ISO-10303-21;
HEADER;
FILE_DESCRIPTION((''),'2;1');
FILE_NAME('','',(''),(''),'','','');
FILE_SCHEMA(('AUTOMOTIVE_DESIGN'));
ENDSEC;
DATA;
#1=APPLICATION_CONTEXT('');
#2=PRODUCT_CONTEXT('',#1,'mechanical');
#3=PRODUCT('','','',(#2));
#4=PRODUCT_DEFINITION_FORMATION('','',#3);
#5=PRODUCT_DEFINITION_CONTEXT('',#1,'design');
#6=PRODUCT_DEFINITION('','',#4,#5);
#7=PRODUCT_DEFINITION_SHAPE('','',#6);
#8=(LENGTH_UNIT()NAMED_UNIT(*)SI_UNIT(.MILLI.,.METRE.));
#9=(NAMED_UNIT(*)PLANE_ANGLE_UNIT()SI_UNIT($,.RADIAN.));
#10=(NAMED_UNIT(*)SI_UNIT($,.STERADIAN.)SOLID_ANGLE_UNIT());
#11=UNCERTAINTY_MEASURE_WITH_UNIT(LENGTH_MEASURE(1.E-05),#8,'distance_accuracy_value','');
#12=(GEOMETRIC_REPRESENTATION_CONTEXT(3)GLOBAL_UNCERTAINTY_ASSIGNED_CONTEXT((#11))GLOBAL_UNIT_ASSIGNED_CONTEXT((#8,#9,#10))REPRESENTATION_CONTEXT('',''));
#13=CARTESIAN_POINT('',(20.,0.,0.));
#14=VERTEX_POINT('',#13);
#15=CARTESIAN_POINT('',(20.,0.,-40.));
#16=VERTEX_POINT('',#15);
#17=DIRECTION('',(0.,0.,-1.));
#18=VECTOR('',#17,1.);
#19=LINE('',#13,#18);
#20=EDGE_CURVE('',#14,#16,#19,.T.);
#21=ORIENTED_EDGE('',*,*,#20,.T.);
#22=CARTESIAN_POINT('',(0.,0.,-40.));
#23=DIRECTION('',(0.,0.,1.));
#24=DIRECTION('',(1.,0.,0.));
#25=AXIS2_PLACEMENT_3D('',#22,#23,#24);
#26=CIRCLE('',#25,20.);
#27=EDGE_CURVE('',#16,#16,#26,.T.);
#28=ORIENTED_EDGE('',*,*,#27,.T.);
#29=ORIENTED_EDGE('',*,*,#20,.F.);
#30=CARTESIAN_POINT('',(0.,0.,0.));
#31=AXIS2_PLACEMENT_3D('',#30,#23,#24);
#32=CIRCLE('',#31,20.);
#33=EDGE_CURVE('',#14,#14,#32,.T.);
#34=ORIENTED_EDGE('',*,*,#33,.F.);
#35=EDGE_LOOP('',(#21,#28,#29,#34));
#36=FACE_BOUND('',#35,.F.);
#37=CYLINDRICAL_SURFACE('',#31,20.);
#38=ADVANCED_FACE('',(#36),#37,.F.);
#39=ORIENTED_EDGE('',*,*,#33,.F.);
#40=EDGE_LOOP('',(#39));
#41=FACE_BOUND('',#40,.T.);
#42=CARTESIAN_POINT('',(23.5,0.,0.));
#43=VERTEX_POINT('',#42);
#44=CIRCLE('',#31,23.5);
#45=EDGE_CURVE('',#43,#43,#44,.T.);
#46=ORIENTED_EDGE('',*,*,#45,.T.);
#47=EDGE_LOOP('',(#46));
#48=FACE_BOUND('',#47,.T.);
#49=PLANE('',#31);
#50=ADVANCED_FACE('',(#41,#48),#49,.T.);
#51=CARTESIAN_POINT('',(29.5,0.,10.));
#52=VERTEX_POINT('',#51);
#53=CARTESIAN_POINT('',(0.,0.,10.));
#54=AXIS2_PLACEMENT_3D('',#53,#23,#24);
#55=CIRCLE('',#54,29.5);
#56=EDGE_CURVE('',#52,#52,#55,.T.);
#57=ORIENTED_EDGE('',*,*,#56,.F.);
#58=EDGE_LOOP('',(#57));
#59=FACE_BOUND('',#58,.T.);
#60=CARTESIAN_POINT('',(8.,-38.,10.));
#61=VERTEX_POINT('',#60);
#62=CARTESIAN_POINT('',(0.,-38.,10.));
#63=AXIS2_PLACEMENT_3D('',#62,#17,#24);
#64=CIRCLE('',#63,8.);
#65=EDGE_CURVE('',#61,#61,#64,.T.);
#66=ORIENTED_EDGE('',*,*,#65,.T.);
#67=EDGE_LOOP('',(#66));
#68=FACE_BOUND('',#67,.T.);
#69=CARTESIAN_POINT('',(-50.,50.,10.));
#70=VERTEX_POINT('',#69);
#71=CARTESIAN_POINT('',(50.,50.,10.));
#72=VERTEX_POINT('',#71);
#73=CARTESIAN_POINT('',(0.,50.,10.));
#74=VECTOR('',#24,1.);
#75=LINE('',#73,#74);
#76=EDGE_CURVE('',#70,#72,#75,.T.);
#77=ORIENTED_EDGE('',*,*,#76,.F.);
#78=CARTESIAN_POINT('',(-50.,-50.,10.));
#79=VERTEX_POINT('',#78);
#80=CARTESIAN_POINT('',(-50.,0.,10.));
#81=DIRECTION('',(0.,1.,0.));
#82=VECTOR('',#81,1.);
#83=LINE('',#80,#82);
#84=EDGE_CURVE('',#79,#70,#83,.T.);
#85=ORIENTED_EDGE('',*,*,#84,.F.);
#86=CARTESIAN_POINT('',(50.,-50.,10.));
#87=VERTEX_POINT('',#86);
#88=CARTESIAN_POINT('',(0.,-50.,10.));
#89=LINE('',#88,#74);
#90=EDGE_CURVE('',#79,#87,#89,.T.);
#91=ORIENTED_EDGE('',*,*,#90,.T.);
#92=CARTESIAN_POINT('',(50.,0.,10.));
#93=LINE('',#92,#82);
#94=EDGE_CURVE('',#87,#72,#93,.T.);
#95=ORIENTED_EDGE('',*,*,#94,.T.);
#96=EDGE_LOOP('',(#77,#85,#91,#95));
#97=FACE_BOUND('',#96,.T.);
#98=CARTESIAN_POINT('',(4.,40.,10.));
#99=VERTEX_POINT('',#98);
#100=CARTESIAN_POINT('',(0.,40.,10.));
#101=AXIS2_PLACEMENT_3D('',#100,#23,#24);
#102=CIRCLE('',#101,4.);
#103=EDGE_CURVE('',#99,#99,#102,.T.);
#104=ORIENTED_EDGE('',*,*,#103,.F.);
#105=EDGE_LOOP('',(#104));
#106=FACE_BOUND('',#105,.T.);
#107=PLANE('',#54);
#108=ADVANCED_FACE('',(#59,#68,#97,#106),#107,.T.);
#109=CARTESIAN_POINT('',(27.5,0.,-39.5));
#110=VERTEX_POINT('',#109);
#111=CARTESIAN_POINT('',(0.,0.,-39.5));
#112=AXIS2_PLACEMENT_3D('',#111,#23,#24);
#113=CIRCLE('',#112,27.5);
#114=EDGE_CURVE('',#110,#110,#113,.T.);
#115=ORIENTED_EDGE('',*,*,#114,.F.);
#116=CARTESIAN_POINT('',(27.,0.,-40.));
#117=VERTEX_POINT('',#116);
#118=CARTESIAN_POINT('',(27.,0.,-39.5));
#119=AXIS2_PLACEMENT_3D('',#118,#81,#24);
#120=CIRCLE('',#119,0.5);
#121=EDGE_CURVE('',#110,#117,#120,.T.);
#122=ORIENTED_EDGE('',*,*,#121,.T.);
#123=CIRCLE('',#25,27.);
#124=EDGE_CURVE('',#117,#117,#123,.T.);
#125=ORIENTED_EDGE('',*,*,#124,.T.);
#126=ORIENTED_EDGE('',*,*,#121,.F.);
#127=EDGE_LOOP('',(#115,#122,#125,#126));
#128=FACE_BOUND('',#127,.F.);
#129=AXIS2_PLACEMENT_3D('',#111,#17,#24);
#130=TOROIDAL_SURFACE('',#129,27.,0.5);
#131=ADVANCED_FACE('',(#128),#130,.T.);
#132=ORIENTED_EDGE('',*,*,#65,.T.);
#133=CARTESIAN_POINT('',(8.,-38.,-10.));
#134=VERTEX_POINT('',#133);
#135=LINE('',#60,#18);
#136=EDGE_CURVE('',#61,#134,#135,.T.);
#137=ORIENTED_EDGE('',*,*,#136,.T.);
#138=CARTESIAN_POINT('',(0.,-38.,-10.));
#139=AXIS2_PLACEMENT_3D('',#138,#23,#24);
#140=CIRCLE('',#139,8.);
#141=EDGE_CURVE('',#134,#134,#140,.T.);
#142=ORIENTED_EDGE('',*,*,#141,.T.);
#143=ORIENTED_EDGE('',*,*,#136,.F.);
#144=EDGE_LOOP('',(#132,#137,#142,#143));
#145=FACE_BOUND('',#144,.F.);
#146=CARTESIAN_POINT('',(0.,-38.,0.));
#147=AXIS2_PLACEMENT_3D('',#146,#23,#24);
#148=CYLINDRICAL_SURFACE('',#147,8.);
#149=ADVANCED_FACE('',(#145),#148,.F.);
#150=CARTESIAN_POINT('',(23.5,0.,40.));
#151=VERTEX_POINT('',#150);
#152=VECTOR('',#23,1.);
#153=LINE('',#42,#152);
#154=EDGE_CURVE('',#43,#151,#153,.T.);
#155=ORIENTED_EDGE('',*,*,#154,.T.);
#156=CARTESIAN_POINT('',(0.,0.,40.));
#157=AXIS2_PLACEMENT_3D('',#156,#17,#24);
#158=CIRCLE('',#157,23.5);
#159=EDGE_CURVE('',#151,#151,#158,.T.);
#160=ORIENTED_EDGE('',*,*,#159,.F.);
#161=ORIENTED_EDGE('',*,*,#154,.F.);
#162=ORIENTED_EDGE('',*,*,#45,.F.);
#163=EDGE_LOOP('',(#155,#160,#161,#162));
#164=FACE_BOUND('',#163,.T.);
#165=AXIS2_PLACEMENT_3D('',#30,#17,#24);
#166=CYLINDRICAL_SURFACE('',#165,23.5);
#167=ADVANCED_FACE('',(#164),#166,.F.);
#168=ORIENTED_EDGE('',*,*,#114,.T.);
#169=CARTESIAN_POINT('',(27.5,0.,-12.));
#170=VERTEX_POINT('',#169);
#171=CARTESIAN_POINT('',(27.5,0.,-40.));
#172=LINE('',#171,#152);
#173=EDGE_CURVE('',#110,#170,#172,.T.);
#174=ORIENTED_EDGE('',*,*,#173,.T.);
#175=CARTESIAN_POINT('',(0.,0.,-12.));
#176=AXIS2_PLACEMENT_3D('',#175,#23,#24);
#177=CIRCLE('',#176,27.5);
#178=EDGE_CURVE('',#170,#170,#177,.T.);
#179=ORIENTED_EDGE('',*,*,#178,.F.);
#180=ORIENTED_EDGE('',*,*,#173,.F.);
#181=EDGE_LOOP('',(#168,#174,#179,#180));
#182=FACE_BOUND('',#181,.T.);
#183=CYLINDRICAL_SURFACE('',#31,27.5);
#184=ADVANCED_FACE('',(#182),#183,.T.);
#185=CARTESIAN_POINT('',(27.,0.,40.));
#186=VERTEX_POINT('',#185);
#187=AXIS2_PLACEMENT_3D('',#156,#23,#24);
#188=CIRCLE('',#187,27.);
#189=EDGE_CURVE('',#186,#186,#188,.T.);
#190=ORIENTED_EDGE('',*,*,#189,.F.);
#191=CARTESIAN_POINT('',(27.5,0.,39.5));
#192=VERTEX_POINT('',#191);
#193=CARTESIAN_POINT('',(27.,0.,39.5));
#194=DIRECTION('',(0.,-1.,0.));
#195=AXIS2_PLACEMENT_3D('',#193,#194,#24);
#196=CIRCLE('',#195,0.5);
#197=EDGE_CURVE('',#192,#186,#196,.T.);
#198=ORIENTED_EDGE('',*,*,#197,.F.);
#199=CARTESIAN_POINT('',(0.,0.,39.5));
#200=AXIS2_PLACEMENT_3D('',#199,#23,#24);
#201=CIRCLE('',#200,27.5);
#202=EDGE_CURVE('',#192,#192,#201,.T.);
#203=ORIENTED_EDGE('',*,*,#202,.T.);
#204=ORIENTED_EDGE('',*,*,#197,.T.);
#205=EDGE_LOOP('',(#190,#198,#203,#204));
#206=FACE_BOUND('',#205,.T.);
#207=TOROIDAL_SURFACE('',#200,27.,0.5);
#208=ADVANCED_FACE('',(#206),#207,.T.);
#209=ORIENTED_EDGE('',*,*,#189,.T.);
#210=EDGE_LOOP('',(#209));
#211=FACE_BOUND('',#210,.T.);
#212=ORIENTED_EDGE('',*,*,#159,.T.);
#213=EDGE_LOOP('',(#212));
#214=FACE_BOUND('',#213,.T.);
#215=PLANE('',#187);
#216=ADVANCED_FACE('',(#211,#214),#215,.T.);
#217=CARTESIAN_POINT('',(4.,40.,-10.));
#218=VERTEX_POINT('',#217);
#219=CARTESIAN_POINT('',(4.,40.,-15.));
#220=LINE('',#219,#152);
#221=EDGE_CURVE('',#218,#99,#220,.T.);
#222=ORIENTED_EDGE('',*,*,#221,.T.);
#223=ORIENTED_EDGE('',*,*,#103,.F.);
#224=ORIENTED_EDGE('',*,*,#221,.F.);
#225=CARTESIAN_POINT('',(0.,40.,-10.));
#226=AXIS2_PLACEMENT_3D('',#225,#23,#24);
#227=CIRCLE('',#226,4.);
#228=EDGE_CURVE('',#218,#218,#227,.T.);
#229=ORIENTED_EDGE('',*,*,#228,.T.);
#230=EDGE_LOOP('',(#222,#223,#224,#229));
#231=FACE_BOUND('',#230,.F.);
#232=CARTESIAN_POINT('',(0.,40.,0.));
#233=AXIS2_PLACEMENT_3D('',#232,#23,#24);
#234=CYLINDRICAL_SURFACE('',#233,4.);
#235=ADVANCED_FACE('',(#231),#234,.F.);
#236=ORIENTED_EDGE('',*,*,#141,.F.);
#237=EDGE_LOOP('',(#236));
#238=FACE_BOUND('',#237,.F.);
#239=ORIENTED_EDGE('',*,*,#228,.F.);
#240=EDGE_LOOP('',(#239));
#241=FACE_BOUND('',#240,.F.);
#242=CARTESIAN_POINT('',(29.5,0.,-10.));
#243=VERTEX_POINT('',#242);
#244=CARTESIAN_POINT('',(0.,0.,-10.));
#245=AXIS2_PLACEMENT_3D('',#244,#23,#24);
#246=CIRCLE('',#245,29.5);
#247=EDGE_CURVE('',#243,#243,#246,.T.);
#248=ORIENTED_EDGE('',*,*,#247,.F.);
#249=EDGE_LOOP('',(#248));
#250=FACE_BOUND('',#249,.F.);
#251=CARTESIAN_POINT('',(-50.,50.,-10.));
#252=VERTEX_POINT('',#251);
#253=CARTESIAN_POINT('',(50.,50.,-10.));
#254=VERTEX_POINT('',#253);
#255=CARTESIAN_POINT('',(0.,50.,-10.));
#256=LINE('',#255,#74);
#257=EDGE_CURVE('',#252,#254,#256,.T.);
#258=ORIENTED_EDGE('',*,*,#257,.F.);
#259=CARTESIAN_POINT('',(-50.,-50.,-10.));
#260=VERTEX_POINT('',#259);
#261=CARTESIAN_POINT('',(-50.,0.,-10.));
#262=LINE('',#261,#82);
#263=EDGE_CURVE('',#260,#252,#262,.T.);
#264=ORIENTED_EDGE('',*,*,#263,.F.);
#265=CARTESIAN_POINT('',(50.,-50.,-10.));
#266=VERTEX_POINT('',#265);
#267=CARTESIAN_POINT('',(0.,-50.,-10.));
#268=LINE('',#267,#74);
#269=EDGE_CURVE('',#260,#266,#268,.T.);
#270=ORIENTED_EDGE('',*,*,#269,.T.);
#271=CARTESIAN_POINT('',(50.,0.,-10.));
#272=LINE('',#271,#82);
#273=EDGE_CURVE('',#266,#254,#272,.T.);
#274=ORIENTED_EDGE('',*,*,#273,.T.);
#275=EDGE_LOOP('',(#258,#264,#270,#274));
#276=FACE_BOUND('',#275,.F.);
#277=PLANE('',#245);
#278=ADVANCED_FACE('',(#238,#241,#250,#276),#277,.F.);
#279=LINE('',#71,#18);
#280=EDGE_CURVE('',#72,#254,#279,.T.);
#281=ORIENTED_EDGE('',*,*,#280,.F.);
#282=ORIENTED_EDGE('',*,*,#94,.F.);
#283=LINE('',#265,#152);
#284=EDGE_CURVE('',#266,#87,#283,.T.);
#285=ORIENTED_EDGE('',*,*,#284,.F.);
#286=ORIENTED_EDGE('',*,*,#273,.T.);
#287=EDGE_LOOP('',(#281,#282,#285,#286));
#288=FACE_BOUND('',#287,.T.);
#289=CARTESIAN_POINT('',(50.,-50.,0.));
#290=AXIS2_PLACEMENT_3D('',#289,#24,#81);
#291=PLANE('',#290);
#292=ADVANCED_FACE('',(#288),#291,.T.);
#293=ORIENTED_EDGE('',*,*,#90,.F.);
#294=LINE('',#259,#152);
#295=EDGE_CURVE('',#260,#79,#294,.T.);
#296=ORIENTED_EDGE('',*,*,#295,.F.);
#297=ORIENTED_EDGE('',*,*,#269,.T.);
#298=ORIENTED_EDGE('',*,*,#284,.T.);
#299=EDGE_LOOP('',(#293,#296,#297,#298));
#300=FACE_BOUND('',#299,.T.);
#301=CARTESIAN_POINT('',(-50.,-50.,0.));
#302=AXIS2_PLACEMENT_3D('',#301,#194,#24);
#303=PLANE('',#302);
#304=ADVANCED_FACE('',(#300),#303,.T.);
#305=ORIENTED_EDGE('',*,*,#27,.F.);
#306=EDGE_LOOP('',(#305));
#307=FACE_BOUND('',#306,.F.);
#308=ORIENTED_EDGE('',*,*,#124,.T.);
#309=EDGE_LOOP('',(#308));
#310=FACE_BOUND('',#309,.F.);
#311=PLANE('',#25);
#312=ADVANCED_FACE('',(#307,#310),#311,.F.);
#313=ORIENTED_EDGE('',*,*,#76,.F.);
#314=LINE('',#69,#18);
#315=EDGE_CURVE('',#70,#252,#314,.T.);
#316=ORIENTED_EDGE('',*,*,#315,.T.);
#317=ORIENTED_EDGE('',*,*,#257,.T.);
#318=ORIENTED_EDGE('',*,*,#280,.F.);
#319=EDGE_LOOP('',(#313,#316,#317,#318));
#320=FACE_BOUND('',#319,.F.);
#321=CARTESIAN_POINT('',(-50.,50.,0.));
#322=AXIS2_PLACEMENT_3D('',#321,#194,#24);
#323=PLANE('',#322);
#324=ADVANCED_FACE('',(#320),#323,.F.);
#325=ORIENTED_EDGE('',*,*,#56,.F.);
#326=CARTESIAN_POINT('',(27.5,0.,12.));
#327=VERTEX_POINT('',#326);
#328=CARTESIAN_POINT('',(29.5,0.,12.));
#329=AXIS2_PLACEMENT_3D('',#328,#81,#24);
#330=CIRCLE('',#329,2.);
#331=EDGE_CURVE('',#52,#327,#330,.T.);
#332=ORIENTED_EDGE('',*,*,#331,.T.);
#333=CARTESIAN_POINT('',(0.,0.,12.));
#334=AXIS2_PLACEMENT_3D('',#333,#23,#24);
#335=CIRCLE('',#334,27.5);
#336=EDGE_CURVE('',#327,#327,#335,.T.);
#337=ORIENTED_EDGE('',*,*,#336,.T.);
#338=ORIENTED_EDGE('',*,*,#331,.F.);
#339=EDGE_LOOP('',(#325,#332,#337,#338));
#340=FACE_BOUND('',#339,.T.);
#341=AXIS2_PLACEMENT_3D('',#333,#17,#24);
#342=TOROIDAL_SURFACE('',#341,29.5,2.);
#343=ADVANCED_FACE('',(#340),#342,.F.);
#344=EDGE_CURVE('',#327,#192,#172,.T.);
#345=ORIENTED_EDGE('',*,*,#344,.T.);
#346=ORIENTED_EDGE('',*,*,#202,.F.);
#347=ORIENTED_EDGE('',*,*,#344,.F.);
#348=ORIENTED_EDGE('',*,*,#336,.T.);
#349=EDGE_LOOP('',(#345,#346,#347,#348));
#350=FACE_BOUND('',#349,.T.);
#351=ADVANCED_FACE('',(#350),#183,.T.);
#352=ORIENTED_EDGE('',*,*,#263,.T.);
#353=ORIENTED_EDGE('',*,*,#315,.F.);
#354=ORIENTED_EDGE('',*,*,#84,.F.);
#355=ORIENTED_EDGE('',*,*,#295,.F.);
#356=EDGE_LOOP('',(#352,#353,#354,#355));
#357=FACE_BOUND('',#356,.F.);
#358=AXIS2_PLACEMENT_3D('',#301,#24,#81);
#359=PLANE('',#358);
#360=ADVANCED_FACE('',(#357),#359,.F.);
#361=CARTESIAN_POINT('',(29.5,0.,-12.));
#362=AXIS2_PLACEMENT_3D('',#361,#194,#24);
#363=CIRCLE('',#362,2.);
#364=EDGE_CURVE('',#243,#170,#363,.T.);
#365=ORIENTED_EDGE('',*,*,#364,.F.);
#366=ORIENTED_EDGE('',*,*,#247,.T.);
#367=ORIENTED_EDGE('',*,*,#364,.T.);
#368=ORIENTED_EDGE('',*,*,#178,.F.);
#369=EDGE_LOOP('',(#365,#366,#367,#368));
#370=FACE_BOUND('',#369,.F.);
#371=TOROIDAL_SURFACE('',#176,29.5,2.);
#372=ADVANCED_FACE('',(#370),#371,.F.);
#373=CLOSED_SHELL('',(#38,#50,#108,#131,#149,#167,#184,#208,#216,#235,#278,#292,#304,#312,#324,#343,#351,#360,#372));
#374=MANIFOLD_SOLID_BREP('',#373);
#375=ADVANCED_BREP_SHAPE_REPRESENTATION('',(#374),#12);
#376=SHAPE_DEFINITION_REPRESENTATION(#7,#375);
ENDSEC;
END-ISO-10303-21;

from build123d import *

# Parameters (mm, degrees)
F0_R      = 27.5
F2_DEPTH  = 40
F4_W      = 100
F4_H      = 100
F5_DEPTH  = 10
F3_R      = 20
F6_DEPTH  = 40.001
F1_R      = 23.5
F7_DEPTH  = 40.001
F10_R     = 2
F11_R     = 0.5
F8_R      = 8
F9_R      = 4
F12_DEPTH = 15


with BuildPart() as f2:
    # F0 (on Top) → F2 (new body, symmetric)
    with BuildSketch(Plane.XY):
        Circle(F0_R)
    extrude(amount=F2_DEPTH, both=True)

    # F4 (on Top) → F5 (join, symmetric)
    with BuildSketch(Plane.XY):
        Rectangle(F4_W, F4_H)
    extrude(amount=F5_DEPTH, both=True)

    # F3 (on Top) → F6 (cut, through all)
    with BuildSketch(Plane.XY):
        Circle(F3_R)
    extrude(amount=-F6_DEPTH, mode=Mode.SUBTRACT)

    # F1 (on Top) → F7 (cut, through all)
    with BuildSketch(Plane.XY):
        Circle(F1_R)
    extrude(amount=F7_DEPTH, mode=Mode.SUBTRACT)

    # F10
    f10_edges = [f2.edges().sort_by_distance(p)[0] for p in [
        (-27.5, 0, 10),
        (-27.5, 0, -10),
    ]]
    fillet(f10_edges, radius=F10_R)

    # F11
    f11_edges = [f2.edges().sort_by_distance(p)[0] for p in [
        (-27.5, 0, -40),
        (-27.5, 0, 40),
    ]]
    fillet(f11_edges, radius=F11_R)

    # F8 (on Top) + F9 (on Top) → F12 (cut, symmetric)
    with BuildSketch(Plane.XY):
        with Locations((0, -38)):
            Circle(F8_R)
    with BuildSketch(Plane.XY):
        with Locations((0, 40)):
            Circle(F9_R)
    extrude(amount=F12_DEPTH, both=True, mode=Mode.SUBTRACT)


solid = f2.part
